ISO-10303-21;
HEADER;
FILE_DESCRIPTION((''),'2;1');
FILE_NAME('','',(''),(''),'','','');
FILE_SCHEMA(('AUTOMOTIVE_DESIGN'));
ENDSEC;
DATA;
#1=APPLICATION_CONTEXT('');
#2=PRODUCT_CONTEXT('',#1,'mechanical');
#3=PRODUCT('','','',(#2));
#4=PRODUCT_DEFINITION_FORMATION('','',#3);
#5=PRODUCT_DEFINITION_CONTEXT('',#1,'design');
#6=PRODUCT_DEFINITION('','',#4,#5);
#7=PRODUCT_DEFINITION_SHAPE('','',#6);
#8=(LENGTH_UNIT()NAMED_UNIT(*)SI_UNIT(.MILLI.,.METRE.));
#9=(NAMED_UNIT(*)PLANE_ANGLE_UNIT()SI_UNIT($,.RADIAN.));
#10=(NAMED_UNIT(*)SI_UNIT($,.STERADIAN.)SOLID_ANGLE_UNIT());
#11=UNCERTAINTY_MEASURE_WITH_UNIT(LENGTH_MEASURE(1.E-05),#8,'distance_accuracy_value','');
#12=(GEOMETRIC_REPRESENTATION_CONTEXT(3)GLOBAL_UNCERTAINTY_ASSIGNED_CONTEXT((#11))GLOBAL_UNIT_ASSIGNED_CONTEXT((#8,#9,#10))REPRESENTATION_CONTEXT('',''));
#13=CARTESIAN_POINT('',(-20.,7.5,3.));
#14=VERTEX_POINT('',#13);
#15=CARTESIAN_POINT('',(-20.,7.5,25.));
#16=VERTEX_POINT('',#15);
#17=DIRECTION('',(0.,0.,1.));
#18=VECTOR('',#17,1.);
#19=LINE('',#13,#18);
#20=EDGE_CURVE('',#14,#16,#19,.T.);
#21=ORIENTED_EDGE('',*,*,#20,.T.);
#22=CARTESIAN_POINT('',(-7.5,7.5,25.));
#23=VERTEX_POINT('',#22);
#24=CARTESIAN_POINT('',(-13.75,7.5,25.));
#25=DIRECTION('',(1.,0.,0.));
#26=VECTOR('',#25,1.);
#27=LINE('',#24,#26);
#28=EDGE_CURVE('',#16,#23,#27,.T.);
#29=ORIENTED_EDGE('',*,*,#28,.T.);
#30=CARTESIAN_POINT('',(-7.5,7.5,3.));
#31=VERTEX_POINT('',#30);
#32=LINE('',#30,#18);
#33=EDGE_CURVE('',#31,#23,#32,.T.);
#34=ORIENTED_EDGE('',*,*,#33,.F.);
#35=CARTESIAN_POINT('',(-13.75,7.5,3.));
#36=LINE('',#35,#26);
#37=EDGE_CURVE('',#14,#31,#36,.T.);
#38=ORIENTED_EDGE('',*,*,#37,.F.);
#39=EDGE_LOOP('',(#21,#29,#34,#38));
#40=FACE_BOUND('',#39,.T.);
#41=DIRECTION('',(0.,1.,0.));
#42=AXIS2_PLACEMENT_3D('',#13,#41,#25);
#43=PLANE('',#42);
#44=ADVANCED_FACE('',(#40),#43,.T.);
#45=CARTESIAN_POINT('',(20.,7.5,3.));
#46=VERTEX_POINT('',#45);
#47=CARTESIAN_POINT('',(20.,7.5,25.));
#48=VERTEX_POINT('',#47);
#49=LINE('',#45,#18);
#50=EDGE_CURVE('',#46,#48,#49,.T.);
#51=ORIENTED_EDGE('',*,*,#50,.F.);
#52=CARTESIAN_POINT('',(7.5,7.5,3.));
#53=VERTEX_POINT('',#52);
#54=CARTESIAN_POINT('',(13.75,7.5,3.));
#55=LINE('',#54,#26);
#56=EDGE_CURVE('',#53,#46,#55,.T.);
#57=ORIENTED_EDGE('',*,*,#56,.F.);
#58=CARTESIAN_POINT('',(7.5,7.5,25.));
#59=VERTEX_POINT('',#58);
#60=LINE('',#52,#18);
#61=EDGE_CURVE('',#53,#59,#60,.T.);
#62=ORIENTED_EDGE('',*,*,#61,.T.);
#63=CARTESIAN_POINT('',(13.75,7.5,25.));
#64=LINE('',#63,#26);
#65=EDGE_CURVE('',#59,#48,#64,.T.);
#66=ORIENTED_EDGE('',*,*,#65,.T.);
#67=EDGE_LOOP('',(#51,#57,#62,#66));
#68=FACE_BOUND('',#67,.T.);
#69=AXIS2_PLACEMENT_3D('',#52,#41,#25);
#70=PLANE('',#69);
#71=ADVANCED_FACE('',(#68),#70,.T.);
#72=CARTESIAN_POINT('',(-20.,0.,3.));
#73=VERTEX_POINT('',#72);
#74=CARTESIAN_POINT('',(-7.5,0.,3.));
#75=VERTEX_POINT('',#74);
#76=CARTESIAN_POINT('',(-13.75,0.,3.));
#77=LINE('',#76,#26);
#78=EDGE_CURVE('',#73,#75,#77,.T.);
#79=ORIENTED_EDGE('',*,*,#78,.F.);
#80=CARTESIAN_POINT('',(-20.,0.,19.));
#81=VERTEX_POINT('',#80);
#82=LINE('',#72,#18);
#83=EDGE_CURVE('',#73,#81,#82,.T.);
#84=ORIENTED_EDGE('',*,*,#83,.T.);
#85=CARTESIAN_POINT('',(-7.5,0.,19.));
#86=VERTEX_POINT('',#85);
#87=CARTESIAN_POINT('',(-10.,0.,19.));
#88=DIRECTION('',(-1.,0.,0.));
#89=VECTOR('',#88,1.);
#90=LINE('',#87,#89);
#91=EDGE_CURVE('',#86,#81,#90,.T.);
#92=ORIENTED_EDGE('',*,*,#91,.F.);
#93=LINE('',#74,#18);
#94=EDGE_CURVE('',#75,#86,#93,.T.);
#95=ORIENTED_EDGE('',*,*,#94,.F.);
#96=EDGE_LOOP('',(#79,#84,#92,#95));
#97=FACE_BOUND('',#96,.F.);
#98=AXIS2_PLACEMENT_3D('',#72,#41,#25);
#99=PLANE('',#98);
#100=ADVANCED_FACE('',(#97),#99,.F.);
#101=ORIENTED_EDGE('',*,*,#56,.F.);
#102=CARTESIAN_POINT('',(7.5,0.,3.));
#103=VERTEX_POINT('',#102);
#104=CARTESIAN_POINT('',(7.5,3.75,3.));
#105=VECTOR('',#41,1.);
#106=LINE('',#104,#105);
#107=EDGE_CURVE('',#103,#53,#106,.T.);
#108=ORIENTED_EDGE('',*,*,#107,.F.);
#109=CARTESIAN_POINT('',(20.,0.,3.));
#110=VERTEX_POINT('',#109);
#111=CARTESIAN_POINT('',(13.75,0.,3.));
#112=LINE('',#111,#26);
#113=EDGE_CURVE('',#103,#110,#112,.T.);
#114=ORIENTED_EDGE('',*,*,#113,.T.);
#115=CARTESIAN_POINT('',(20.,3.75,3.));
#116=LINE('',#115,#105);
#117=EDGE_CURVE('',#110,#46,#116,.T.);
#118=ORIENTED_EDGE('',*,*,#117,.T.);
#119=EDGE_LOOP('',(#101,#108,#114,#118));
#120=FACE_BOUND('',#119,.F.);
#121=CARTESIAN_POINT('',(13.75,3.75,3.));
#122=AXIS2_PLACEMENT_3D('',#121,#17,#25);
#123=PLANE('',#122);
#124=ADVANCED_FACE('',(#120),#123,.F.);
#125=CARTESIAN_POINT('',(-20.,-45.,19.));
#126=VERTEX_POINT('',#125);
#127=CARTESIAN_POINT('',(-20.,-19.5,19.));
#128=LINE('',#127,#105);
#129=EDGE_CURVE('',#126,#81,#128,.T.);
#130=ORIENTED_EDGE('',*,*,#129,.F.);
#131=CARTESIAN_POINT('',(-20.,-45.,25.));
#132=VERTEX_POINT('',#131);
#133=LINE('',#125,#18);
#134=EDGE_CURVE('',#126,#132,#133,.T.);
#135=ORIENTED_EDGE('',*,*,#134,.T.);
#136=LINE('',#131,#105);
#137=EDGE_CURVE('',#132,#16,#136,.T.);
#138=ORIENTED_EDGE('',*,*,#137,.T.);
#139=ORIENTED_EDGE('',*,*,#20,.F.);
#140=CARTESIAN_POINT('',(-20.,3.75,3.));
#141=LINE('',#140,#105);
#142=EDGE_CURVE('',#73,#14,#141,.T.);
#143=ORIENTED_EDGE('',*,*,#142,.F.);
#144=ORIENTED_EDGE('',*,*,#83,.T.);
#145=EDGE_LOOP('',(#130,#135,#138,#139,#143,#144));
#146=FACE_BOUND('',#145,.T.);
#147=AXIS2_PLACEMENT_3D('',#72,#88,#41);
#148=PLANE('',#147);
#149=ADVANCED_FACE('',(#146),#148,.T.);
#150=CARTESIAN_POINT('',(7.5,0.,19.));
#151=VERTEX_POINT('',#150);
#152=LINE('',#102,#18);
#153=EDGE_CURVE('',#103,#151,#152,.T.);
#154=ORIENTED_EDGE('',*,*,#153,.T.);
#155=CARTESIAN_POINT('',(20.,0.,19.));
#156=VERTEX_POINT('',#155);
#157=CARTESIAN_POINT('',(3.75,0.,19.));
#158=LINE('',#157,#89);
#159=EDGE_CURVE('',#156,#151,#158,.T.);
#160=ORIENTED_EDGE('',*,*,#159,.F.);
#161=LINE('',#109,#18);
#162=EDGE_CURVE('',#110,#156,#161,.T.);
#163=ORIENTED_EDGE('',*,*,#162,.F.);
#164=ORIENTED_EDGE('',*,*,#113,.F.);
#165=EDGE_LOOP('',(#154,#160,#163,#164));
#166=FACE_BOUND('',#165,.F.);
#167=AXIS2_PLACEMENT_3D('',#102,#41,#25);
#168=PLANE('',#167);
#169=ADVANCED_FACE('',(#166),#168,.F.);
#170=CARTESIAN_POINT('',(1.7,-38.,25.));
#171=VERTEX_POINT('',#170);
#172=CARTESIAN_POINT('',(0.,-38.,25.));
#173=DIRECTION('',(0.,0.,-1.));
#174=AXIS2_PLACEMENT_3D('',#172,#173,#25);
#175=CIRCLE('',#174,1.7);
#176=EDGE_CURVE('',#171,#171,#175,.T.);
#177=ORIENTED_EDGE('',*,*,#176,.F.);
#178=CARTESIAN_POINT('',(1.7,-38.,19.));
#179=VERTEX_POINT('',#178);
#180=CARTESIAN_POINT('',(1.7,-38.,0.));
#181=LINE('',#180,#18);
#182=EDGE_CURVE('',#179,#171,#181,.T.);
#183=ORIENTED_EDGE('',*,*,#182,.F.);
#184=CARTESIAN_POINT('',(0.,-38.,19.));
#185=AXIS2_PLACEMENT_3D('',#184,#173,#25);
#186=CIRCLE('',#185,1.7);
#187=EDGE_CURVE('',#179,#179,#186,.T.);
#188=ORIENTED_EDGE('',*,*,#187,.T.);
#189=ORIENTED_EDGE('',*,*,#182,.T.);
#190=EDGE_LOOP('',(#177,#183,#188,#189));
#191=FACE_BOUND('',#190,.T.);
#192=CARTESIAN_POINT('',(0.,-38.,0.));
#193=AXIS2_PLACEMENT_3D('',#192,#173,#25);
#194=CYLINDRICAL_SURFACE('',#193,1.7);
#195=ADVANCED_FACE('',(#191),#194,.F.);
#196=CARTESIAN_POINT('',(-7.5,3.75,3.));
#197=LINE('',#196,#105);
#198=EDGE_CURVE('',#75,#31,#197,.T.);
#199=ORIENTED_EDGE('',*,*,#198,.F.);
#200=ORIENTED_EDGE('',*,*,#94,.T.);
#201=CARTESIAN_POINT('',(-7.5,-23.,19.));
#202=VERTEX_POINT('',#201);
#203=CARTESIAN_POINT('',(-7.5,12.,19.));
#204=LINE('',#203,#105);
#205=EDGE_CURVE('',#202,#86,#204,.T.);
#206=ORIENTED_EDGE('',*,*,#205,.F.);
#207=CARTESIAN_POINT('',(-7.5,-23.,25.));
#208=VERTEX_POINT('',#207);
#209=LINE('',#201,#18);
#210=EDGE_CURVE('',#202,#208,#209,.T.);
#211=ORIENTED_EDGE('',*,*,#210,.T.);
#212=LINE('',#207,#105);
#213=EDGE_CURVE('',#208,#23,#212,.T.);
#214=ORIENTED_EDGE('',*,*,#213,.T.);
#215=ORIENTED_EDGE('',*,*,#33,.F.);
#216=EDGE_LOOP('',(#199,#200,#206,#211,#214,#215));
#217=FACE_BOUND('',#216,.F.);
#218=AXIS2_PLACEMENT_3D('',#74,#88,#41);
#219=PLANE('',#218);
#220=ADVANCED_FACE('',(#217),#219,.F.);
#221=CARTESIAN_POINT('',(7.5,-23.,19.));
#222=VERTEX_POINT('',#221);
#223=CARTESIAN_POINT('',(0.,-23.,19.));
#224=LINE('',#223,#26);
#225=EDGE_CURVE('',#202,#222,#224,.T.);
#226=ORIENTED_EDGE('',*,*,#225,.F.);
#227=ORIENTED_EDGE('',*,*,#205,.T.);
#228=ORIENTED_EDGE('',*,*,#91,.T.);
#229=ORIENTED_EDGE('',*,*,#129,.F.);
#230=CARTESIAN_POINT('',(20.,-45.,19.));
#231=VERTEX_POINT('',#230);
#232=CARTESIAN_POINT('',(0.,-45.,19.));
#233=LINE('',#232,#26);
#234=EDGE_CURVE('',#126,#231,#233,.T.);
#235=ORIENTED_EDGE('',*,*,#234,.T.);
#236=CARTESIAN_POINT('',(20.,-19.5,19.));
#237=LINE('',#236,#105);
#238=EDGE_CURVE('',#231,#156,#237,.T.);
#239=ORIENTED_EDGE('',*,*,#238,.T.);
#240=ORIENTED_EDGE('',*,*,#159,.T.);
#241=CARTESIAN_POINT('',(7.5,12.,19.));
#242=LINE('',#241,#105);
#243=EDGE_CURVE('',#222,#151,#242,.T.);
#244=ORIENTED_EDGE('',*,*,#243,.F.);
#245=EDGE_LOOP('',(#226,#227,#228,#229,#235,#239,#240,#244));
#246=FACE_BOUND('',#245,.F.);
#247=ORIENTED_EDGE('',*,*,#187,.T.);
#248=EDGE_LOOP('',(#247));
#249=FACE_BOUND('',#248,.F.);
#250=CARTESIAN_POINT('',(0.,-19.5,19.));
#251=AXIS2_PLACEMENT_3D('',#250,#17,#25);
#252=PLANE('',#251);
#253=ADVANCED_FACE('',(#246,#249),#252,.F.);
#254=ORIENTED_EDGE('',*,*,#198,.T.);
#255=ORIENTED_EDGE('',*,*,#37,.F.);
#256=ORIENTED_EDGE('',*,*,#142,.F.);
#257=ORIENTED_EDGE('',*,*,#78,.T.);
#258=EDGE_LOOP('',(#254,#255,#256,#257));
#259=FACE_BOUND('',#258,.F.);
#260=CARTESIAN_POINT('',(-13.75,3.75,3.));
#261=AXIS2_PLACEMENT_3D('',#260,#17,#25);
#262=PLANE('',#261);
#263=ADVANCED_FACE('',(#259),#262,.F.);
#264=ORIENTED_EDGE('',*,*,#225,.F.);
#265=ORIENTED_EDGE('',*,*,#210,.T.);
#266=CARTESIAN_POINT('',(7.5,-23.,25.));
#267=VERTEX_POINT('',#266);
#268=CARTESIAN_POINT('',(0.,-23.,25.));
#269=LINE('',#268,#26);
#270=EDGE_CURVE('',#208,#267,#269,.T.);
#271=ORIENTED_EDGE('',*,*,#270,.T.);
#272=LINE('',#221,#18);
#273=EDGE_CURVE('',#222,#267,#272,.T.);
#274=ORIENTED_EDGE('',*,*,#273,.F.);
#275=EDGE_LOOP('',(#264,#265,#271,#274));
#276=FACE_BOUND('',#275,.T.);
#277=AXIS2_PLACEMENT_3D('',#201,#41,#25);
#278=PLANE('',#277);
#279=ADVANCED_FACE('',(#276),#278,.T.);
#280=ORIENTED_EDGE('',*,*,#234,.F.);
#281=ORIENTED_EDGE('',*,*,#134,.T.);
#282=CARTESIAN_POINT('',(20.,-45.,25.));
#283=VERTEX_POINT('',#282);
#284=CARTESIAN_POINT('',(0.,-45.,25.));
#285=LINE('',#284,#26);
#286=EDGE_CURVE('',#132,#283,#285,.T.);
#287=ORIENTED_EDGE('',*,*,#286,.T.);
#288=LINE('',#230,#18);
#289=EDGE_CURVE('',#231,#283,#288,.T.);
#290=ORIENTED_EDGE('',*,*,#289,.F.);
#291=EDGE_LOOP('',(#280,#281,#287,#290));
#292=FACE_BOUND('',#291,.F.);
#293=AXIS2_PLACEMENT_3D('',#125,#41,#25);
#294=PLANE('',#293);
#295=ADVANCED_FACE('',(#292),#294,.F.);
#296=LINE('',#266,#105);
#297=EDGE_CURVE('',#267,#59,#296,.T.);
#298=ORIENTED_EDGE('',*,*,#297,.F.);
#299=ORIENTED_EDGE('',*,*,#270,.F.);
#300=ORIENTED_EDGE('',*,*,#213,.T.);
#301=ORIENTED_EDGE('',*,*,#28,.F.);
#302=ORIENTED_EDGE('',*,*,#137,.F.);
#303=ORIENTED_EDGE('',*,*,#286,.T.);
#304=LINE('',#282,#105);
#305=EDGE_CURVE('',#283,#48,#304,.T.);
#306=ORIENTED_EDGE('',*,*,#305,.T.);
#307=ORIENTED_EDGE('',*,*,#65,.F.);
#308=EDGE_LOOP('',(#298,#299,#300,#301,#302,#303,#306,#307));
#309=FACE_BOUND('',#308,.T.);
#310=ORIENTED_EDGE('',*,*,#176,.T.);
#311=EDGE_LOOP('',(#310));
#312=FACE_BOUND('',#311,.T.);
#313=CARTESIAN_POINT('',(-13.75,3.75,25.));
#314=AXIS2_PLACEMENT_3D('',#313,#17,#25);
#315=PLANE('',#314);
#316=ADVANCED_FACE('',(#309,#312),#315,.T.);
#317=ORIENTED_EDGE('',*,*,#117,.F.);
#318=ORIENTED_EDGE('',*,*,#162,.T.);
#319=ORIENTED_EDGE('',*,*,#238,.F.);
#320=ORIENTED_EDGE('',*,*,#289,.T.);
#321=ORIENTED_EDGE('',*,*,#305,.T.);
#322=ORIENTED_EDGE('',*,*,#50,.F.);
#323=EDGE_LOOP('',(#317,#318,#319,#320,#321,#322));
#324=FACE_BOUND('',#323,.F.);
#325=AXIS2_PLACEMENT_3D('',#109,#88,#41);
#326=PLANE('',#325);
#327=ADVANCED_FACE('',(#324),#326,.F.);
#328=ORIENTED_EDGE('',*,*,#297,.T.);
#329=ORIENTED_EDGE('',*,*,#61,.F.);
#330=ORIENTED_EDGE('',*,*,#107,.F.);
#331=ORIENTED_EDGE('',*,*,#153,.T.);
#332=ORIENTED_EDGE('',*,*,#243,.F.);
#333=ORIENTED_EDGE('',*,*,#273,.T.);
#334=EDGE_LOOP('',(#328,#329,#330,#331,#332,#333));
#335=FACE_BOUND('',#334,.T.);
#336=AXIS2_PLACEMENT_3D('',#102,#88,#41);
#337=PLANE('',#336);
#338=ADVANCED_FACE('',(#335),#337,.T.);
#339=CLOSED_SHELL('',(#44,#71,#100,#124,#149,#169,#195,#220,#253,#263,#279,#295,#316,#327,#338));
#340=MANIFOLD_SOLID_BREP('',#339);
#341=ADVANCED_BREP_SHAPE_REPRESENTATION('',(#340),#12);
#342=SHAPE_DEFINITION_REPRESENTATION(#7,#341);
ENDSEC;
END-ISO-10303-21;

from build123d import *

# Parameters (mm, degrees)
BOX017_W          = 12.5
BOX017_H          = 7.5
BOX017_DEPTH      = 22
BOX020_W          = 12.5
BOX020_H          = 7.5
BOX020_DEPTH      = 22
CYLINDER001_R     = 1.7
CYLINDER001_DEPTH = 30
BOX019_W          = 15
BOX019_H          = 70
BOX019_DEPTH      = 6
BOX018_W          = 40
BOX018_H          = 51
BOX018_DEPTH      = 6


with BuildPart() as cube016:
    # Box017 → Box017 (new body)
    with BuildSketch(Plane(origin=(7.5, 0, 3), x_dir=(1, 0, 0), z_dir=(0, 0, 1))):
        with Locations((6.25, 3.75)):
            Rectangle(BOX017_W, BOX017_H)
    extrude(amount=BOX017_DEPTH)


with BuildPart() as cube019:
    # Box020 → Box020 (new body)
    with BuildSketch(Plane(origin=(-20, 0, 3), x_dir=(1, 0, 0), z_dir=(0, 0, 1))):
        with Locations((6.25, 3.75)):
            Rectangle(BOX020_W, BOX020_H)
    extrude(amount=BOX020_DEPTH)


with BuildPart() as cylinder001:
    # Cylinder001 → Cylinder001 (new body)
    with BuildSketch(Plane(origin=(0, 7, 0), x_dir=(1, 0, 0), z_dir=(0, 0, 1))):
        Circle(CYLINDER001_R)
    extrude(amount=CYLINDER001_DEPTH)


with BuildPart() as cube018:
    # Box019 → Box019 (new body)
    with BuildSketch(Plane(origin=(12.5, 22, 20), x_dir=(1, 0, 0), z_dir=(0, 0, 1))):
        with Locations((7.5, 35)):
            Rectangle(BOX019_W, BOX019_H)
    extrude(amount=BOX019_DEPTH)


with BuildPart() as fusion004004:
    # Box018 → Box018 (new body)
    with BuildSketch(Plane.XY.offset(20)):
        with Locations((20, 25.5)):
            Rectangle(BOX018_W, BOX018_H)
    extrude(amount=BOX018_DEPTH)

    # Cut004013: cut Cube018
    add(cube018.part, mode=Mode.SUBTRACT)


with BuildPart() as fusion004004_1:
    # Cut004013 placement: moved
    add(fusion004004.part.moved(Location((-20, 0, -1))))

    # Cut004014: cut Cylinder001
    add(cylinder001.part, mode=Mode.SUBTRACT)


with BuildPart() as fusion004004_2:
    # Cut004014 placement: moved
    add(fusion004004_1.part.moved(Location((0, -45, 0))))

    # Fusion004004: union Cube016, Cube019
    add(cube016.part)
    add(cube019.part)


solid = fusion004004_2.part
